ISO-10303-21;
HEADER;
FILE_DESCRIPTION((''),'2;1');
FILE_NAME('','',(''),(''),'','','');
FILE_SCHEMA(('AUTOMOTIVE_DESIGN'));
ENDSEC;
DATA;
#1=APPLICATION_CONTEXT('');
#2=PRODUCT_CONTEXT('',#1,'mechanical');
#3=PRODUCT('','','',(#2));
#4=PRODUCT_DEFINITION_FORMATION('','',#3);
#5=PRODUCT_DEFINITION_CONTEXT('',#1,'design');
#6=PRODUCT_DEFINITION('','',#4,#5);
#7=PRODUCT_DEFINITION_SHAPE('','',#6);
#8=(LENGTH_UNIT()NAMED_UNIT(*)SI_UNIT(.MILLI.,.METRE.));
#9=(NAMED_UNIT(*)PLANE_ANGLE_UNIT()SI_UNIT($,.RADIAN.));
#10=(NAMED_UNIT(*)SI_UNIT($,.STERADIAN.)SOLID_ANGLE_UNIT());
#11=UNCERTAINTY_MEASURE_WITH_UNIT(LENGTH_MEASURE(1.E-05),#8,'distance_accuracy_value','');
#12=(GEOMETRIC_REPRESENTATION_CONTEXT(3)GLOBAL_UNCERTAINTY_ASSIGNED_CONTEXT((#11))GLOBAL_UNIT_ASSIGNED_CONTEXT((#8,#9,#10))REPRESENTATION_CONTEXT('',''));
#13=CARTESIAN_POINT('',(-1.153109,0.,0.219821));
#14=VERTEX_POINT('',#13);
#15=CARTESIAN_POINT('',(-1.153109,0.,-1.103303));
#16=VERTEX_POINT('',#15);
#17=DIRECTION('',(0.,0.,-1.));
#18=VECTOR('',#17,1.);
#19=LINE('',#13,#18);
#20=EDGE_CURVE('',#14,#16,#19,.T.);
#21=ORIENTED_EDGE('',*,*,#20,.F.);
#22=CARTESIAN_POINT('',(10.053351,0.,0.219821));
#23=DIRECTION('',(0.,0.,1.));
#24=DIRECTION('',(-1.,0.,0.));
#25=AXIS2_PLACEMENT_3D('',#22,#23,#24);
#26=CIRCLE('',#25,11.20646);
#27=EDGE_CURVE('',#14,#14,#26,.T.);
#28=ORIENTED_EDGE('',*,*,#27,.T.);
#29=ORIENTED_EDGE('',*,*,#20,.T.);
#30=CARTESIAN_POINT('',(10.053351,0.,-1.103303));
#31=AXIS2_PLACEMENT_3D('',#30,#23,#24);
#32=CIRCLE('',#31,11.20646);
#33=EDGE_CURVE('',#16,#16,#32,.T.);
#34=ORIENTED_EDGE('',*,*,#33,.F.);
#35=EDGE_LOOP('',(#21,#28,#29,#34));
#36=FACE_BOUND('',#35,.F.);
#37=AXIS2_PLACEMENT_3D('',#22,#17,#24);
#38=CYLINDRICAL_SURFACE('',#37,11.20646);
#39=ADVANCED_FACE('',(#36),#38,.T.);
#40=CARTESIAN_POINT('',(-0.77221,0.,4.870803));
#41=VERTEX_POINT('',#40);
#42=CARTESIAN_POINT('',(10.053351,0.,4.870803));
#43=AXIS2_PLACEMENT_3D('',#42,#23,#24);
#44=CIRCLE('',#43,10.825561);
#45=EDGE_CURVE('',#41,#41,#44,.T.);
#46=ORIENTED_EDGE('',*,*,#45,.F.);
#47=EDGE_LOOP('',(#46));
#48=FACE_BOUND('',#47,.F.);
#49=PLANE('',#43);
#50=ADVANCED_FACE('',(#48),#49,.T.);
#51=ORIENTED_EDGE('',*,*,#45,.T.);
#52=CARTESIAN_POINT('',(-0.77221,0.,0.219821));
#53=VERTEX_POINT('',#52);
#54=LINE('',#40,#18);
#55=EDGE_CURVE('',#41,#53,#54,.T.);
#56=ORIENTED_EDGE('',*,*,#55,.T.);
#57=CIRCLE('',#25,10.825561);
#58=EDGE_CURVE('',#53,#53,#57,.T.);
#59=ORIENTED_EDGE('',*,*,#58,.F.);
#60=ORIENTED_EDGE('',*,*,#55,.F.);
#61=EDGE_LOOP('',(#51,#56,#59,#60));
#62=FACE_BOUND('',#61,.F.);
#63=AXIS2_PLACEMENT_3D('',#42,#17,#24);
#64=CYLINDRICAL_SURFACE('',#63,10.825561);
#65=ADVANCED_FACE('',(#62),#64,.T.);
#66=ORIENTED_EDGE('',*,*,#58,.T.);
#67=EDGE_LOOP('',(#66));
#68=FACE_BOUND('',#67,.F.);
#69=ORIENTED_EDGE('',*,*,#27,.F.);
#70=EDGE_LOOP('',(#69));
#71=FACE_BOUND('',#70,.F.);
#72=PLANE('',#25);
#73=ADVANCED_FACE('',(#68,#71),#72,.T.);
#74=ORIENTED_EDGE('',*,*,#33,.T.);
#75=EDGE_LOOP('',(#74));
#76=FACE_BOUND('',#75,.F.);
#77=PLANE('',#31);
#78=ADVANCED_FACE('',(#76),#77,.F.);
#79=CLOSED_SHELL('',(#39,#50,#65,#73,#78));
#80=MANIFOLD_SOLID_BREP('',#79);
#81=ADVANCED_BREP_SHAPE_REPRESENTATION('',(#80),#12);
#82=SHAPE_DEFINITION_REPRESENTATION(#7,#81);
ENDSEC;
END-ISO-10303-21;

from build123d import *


with BuildPart() as f2:
    # F1 (on face) → F2 (revolve)
    with BuildSketch(Plane.XZ):
        Polygon((10.053351, 4.870803), (-0.77221, 4.870803), (-0.77221, 0.219821), (-1.153109, 0.219821), (-1.153109, -1.103303), (10.053351, -1.103303), align=None)
    revolve(axis=Axis((10.053351, 0, 1.88375), (0, 0, 1)))


solid = f2.part
